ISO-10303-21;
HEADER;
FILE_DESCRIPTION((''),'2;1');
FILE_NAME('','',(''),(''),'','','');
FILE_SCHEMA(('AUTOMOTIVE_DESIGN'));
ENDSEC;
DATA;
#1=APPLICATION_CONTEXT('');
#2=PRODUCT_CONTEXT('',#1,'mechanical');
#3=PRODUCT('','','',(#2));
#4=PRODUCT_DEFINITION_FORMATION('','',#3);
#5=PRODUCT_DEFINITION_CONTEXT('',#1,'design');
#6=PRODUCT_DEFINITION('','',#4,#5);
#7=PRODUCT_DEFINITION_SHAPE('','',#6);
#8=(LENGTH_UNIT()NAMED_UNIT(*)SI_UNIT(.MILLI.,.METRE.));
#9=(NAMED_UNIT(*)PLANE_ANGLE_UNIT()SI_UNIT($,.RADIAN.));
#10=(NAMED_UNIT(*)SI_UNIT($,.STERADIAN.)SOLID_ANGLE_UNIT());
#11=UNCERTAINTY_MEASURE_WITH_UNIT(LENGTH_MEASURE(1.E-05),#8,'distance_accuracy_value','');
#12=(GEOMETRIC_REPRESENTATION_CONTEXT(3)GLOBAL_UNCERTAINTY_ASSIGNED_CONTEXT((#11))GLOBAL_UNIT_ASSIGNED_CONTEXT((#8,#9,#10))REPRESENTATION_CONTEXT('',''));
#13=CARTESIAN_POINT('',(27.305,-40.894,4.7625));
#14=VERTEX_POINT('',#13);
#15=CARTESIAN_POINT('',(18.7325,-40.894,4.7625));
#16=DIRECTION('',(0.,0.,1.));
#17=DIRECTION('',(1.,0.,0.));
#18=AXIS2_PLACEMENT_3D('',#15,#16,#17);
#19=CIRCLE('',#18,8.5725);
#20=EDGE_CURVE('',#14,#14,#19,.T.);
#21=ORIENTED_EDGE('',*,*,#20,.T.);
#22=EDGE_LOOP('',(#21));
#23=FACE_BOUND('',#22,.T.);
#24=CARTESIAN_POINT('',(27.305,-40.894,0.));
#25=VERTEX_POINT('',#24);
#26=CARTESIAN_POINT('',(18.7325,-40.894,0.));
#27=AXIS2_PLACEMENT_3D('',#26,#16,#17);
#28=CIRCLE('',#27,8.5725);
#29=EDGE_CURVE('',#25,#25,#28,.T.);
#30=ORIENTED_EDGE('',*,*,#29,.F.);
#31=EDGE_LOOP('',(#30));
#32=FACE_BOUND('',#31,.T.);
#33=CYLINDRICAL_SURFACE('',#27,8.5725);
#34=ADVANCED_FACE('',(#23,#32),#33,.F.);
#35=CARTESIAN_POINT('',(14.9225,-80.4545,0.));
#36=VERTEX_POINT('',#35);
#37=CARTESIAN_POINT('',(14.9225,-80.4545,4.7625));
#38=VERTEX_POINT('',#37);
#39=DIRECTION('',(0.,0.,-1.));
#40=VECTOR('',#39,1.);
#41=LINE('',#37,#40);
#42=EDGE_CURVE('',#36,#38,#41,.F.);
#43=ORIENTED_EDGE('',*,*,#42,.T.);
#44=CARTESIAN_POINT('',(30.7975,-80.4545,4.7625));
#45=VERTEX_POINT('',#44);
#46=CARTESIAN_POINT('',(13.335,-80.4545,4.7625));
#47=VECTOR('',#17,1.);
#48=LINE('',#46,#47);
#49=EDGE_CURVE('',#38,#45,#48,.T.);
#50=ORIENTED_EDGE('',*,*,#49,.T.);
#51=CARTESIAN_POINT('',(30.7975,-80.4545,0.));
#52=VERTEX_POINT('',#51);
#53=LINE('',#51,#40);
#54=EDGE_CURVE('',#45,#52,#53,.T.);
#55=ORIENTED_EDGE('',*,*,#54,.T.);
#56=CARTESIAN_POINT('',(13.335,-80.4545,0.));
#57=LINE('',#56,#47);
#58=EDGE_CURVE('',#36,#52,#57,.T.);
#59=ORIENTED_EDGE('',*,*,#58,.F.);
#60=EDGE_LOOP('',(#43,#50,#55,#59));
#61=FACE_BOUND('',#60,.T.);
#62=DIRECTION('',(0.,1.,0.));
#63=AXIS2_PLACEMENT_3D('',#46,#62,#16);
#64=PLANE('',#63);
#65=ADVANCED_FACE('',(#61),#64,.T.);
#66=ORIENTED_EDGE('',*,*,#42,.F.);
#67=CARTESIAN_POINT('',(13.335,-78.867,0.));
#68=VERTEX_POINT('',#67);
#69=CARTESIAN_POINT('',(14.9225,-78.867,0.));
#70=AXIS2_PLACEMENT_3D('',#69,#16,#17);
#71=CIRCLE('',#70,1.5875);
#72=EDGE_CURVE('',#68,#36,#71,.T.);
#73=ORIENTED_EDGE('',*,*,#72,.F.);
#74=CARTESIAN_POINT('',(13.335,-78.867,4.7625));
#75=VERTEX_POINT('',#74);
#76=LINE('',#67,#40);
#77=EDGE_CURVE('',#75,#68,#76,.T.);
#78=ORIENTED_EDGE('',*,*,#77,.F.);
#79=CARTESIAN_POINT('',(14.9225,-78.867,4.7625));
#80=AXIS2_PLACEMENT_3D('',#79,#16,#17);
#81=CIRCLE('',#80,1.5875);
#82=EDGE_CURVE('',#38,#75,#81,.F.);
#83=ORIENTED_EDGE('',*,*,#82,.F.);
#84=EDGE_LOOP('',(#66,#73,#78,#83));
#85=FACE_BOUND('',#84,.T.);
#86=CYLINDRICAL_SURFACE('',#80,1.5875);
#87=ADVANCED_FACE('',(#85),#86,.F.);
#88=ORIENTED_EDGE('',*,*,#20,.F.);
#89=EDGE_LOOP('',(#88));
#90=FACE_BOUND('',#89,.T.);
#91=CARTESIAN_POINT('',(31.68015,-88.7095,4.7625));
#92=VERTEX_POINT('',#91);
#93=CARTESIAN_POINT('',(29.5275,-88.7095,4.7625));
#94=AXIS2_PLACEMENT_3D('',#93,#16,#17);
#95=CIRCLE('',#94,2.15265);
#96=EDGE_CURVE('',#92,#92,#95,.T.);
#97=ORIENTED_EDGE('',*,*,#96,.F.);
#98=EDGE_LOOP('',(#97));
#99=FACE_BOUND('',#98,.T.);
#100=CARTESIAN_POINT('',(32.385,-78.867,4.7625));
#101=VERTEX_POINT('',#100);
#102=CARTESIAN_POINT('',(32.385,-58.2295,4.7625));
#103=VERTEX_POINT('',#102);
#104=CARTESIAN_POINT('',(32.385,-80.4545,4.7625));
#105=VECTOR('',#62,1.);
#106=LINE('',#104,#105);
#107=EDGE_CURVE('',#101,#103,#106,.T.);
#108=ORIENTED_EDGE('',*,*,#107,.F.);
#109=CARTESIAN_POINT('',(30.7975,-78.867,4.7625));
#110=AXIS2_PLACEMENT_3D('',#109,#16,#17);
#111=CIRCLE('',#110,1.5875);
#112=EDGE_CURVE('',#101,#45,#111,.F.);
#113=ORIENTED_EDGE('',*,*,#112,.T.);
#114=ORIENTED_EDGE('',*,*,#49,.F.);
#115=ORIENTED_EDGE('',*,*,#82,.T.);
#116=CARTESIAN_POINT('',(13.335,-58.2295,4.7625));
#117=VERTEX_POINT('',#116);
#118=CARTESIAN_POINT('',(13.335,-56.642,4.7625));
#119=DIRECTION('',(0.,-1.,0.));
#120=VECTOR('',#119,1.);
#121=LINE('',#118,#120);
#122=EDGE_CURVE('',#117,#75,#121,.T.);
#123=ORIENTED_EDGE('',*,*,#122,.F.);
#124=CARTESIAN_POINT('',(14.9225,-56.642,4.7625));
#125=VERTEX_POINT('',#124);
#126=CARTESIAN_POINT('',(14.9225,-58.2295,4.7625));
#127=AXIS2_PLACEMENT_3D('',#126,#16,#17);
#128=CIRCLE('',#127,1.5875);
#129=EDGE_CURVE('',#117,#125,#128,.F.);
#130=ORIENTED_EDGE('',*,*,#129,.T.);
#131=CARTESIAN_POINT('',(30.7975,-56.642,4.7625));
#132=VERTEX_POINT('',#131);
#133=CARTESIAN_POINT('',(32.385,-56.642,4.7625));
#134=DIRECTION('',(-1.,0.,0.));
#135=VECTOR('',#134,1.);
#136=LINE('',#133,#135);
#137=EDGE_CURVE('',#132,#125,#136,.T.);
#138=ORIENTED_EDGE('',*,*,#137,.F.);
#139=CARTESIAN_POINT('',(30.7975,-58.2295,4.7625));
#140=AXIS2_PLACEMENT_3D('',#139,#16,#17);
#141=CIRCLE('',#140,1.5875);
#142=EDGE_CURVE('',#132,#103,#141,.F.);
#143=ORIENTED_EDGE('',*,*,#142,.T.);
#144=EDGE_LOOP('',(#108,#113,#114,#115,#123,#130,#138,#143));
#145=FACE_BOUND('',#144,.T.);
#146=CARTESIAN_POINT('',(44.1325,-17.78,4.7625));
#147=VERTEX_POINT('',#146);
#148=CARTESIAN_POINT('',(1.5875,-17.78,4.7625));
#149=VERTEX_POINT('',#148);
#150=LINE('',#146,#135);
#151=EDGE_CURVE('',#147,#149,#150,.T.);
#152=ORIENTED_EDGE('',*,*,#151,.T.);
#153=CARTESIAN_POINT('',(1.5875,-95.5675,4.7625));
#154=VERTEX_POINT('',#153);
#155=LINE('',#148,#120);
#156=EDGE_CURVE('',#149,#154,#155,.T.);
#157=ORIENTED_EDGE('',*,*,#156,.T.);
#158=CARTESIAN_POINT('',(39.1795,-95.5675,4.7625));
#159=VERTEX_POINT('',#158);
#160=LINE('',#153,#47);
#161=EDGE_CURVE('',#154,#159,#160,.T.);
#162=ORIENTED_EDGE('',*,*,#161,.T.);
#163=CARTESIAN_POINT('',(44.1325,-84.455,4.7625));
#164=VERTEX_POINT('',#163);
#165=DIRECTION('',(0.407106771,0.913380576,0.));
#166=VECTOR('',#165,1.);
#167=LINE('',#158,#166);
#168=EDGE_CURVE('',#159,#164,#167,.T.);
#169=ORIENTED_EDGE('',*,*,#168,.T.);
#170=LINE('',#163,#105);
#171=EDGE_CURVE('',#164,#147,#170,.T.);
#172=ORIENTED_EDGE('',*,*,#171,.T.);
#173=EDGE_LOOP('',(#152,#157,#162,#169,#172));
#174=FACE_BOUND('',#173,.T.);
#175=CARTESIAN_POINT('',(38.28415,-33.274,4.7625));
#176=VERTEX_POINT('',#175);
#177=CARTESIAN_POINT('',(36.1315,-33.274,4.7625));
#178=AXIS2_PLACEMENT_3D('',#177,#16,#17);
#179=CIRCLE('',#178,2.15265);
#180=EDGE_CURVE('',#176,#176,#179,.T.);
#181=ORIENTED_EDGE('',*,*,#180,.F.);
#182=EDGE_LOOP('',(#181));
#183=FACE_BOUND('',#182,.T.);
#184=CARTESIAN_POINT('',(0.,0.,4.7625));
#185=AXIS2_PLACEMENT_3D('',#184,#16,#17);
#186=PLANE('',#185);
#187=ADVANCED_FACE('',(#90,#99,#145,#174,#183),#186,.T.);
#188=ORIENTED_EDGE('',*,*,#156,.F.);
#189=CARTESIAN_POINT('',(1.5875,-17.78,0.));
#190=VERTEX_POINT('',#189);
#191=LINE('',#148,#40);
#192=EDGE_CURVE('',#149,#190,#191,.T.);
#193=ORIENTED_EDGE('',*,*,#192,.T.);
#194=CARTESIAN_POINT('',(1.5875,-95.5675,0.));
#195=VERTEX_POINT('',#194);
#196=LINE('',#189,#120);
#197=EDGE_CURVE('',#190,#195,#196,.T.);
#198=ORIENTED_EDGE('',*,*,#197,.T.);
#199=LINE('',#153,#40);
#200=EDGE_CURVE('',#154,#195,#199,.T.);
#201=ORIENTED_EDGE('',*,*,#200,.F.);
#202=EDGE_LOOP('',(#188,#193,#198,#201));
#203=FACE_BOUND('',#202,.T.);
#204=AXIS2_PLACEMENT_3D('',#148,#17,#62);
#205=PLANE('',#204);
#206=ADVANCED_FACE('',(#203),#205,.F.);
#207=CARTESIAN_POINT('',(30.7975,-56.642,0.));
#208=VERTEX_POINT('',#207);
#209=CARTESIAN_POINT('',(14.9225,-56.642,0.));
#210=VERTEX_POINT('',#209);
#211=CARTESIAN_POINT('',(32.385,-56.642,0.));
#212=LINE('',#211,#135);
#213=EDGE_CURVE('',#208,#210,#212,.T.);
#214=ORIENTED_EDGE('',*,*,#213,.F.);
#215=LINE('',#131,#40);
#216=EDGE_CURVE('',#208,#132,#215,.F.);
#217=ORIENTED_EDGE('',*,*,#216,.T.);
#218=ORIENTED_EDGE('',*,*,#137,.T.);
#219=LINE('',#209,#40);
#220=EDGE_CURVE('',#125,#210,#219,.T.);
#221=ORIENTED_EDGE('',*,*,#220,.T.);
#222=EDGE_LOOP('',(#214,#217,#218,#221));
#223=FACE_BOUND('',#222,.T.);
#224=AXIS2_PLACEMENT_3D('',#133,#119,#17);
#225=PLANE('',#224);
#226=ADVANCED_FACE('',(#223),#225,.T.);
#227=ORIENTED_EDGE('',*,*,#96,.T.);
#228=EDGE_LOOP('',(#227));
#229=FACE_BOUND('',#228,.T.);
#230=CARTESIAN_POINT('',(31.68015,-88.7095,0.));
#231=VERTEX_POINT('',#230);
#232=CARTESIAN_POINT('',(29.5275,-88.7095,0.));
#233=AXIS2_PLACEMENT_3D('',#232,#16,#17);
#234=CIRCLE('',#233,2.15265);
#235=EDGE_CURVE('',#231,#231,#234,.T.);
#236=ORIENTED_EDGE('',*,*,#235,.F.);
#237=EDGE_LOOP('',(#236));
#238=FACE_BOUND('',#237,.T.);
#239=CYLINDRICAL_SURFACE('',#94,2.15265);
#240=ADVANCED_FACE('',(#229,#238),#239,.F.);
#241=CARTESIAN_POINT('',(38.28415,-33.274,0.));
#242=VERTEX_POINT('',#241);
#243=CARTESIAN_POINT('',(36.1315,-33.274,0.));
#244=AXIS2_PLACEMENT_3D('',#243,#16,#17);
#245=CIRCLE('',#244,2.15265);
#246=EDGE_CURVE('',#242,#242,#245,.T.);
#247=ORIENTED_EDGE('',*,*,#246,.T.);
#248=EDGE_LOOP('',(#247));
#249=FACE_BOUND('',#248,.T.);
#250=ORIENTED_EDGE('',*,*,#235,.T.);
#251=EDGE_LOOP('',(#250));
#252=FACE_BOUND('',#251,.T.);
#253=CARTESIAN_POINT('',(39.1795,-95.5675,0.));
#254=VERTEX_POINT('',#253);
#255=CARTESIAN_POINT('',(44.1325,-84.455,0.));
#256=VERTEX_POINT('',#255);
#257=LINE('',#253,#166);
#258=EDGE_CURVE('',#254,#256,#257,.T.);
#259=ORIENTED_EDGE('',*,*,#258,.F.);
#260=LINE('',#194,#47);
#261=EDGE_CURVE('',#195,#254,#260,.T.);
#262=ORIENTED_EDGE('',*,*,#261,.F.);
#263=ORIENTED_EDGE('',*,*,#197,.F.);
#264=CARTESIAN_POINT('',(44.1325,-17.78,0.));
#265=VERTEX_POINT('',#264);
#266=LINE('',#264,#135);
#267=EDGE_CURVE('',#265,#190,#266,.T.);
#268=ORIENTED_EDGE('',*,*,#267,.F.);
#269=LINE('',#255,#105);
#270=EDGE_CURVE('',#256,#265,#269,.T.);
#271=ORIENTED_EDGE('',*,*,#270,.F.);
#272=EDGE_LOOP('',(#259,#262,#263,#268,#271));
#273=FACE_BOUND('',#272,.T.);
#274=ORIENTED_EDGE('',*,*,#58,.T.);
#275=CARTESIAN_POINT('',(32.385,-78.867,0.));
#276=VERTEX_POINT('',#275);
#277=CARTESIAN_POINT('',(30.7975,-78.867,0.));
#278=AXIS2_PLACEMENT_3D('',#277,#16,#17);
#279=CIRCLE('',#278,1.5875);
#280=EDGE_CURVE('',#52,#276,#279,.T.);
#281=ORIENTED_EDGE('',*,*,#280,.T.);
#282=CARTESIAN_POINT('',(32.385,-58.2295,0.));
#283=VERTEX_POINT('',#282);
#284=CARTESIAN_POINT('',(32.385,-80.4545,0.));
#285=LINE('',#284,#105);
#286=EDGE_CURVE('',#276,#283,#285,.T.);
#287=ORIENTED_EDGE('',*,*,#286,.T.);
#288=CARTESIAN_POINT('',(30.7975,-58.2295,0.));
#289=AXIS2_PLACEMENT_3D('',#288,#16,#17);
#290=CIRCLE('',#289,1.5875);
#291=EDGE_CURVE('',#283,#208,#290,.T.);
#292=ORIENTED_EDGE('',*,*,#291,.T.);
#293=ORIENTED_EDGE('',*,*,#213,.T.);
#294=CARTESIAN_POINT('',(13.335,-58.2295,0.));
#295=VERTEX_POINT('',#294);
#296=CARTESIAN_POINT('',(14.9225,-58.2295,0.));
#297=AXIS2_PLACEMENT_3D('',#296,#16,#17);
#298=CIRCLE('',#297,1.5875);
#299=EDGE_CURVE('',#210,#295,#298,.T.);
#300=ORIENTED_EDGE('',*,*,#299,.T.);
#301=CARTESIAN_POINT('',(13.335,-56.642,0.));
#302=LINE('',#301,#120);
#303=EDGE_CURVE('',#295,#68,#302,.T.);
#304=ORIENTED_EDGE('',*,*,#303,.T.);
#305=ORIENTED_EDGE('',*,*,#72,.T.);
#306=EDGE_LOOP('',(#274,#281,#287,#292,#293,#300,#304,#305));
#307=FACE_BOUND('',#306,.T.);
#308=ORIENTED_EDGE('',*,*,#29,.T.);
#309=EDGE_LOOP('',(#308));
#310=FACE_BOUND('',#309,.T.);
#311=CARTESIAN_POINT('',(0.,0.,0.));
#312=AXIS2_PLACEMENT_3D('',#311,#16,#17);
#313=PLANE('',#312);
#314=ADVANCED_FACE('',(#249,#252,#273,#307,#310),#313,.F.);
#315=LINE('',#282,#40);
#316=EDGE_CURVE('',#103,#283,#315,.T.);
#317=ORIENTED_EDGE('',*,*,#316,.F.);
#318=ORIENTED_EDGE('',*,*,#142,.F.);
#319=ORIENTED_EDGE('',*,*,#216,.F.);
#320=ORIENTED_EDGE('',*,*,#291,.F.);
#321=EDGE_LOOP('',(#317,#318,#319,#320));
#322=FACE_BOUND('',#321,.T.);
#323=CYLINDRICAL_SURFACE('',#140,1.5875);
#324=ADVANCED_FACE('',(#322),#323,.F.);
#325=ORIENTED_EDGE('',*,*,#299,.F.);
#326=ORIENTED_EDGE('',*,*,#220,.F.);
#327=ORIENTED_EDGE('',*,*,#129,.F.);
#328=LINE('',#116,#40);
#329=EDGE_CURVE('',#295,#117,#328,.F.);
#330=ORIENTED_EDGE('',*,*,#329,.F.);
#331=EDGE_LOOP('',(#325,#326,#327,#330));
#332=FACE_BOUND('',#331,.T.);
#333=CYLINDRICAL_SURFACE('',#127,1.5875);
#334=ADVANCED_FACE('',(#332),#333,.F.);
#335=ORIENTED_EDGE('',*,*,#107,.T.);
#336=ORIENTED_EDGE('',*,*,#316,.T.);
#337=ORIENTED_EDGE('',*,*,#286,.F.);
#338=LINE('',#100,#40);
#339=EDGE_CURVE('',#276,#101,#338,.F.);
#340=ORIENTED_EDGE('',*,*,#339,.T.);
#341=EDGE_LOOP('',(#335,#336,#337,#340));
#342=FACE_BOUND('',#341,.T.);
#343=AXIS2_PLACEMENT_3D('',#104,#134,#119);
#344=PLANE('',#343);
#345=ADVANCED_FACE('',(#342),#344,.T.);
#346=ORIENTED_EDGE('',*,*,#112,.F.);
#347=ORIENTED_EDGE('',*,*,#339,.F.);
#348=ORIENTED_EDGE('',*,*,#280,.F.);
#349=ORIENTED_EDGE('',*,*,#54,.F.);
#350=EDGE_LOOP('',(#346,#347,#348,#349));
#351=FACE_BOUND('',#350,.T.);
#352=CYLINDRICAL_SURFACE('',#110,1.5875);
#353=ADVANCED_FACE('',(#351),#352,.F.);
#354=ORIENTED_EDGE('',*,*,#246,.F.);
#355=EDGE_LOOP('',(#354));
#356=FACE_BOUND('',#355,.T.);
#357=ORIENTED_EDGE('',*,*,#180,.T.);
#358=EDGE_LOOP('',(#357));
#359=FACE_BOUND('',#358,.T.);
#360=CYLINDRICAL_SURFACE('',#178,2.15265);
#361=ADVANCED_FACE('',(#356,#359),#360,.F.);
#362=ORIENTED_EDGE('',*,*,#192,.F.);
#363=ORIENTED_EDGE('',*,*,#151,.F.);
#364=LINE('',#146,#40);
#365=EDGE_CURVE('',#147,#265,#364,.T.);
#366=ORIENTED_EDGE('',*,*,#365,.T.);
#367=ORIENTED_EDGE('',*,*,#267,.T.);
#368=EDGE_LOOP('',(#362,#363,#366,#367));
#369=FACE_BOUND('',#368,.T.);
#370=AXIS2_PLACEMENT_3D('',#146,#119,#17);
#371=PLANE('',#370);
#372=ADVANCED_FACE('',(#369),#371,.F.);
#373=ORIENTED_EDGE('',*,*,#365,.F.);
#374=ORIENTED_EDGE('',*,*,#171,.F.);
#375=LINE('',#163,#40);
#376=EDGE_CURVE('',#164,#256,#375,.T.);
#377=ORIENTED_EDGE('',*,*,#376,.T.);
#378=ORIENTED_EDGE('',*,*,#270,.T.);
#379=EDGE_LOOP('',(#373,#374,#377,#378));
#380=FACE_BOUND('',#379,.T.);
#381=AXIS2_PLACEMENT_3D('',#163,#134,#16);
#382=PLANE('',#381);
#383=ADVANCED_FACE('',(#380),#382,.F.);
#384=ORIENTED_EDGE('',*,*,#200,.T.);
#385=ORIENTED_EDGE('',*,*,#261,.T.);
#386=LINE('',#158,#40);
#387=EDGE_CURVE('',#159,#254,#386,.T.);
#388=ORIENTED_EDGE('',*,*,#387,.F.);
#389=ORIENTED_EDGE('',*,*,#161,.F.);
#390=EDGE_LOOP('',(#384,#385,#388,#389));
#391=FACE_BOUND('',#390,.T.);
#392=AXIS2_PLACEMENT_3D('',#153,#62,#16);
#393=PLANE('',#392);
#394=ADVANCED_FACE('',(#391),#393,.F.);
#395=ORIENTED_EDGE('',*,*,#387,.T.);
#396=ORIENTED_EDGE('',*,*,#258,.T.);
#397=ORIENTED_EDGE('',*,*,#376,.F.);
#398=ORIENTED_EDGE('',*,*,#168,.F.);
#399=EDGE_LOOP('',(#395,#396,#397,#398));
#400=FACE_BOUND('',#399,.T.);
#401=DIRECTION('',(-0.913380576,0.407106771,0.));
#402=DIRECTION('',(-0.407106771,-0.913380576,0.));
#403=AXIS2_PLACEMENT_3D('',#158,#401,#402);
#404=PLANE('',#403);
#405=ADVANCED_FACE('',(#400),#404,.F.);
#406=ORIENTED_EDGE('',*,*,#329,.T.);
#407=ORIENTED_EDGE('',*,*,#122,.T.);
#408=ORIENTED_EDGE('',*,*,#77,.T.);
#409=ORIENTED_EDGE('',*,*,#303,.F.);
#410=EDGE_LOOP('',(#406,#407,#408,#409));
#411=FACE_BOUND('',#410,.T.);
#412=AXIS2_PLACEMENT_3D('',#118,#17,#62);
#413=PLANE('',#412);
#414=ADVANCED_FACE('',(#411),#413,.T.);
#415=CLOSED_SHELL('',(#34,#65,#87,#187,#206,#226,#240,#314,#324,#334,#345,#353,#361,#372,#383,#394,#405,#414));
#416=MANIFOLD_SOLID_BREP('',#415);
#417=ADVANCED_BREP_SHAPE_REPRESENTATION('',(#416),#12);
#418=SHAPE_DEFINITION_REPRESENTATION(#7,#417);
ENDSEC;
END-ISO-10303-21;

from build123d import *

# Parameters (mm, degrees)
SKETCH1_W             = 19.05
SKETCH1_H             = 23.8125
BOSS_EXTRUDE1_DEPTH   = 4.7625
SKETCH6_R             = 8.5725
CUT_EXTRUDE4_DEPTH    = 5.7625
F_6_CLEARANCE_HOLE1_D = 4.3053
FILLET1_R             = 1.5875


with BuildPart() as part:
    # Sketch1 → Boss-Extrude1 (new body)
    with BuildSketch(Plane.XY):
        Polygon((1.5875, -17.78), (1.5875, -95.5675), (39.1795, -95.5675), (44.1325, -84.455), (44.1325, -17.78), align=None)
        with Locations((22.86, -68.54825)):
            Rectangle(SKETCH1_W, SKETCH1_H, mode=Mode.SUBTRACT)
    extrude(amount=BOSS_EXTRUDE1_DEPTH)

    # Sketch6 → Cut-Extrude4 (cut, through all)
    with BuildSketch(Plane(origin=(156.406140968, -462.385138809, 4.7625), x_dir=(1, 0, 0), z_dir=(0, 0, 1))):
        with Locations((-137.673640968, 421.491138809)):
            Circle(SKETCH6_R)
    extrude(amount=-CUT_EXTRUDE4_DEPTH, mode=Mode.SUBTRACT)

    # #6 Clearance Hole1 (through all)
    with Locations(Plane.XY.offset(4.7625)):
        with Locations((36.1315, -33.274), (29.5275, -88.7095)):
            Hole(F_6_CLEARANCE_HOLE1_D / 2)

    # Fillet1
    fillet1_edges = [part.edges().sort_by_distance(p)[0] for p in [
        (13.335, -80.4545, 2.38125),
        (32.385, -80.4545, 2.38125),
        (32.385, -56.642, 2.38125),
        (13.335, -56.642, 2.38125),
    ]]
    fillet(fillet1_edges, radius=FILLET1_R)


solid = part.part
